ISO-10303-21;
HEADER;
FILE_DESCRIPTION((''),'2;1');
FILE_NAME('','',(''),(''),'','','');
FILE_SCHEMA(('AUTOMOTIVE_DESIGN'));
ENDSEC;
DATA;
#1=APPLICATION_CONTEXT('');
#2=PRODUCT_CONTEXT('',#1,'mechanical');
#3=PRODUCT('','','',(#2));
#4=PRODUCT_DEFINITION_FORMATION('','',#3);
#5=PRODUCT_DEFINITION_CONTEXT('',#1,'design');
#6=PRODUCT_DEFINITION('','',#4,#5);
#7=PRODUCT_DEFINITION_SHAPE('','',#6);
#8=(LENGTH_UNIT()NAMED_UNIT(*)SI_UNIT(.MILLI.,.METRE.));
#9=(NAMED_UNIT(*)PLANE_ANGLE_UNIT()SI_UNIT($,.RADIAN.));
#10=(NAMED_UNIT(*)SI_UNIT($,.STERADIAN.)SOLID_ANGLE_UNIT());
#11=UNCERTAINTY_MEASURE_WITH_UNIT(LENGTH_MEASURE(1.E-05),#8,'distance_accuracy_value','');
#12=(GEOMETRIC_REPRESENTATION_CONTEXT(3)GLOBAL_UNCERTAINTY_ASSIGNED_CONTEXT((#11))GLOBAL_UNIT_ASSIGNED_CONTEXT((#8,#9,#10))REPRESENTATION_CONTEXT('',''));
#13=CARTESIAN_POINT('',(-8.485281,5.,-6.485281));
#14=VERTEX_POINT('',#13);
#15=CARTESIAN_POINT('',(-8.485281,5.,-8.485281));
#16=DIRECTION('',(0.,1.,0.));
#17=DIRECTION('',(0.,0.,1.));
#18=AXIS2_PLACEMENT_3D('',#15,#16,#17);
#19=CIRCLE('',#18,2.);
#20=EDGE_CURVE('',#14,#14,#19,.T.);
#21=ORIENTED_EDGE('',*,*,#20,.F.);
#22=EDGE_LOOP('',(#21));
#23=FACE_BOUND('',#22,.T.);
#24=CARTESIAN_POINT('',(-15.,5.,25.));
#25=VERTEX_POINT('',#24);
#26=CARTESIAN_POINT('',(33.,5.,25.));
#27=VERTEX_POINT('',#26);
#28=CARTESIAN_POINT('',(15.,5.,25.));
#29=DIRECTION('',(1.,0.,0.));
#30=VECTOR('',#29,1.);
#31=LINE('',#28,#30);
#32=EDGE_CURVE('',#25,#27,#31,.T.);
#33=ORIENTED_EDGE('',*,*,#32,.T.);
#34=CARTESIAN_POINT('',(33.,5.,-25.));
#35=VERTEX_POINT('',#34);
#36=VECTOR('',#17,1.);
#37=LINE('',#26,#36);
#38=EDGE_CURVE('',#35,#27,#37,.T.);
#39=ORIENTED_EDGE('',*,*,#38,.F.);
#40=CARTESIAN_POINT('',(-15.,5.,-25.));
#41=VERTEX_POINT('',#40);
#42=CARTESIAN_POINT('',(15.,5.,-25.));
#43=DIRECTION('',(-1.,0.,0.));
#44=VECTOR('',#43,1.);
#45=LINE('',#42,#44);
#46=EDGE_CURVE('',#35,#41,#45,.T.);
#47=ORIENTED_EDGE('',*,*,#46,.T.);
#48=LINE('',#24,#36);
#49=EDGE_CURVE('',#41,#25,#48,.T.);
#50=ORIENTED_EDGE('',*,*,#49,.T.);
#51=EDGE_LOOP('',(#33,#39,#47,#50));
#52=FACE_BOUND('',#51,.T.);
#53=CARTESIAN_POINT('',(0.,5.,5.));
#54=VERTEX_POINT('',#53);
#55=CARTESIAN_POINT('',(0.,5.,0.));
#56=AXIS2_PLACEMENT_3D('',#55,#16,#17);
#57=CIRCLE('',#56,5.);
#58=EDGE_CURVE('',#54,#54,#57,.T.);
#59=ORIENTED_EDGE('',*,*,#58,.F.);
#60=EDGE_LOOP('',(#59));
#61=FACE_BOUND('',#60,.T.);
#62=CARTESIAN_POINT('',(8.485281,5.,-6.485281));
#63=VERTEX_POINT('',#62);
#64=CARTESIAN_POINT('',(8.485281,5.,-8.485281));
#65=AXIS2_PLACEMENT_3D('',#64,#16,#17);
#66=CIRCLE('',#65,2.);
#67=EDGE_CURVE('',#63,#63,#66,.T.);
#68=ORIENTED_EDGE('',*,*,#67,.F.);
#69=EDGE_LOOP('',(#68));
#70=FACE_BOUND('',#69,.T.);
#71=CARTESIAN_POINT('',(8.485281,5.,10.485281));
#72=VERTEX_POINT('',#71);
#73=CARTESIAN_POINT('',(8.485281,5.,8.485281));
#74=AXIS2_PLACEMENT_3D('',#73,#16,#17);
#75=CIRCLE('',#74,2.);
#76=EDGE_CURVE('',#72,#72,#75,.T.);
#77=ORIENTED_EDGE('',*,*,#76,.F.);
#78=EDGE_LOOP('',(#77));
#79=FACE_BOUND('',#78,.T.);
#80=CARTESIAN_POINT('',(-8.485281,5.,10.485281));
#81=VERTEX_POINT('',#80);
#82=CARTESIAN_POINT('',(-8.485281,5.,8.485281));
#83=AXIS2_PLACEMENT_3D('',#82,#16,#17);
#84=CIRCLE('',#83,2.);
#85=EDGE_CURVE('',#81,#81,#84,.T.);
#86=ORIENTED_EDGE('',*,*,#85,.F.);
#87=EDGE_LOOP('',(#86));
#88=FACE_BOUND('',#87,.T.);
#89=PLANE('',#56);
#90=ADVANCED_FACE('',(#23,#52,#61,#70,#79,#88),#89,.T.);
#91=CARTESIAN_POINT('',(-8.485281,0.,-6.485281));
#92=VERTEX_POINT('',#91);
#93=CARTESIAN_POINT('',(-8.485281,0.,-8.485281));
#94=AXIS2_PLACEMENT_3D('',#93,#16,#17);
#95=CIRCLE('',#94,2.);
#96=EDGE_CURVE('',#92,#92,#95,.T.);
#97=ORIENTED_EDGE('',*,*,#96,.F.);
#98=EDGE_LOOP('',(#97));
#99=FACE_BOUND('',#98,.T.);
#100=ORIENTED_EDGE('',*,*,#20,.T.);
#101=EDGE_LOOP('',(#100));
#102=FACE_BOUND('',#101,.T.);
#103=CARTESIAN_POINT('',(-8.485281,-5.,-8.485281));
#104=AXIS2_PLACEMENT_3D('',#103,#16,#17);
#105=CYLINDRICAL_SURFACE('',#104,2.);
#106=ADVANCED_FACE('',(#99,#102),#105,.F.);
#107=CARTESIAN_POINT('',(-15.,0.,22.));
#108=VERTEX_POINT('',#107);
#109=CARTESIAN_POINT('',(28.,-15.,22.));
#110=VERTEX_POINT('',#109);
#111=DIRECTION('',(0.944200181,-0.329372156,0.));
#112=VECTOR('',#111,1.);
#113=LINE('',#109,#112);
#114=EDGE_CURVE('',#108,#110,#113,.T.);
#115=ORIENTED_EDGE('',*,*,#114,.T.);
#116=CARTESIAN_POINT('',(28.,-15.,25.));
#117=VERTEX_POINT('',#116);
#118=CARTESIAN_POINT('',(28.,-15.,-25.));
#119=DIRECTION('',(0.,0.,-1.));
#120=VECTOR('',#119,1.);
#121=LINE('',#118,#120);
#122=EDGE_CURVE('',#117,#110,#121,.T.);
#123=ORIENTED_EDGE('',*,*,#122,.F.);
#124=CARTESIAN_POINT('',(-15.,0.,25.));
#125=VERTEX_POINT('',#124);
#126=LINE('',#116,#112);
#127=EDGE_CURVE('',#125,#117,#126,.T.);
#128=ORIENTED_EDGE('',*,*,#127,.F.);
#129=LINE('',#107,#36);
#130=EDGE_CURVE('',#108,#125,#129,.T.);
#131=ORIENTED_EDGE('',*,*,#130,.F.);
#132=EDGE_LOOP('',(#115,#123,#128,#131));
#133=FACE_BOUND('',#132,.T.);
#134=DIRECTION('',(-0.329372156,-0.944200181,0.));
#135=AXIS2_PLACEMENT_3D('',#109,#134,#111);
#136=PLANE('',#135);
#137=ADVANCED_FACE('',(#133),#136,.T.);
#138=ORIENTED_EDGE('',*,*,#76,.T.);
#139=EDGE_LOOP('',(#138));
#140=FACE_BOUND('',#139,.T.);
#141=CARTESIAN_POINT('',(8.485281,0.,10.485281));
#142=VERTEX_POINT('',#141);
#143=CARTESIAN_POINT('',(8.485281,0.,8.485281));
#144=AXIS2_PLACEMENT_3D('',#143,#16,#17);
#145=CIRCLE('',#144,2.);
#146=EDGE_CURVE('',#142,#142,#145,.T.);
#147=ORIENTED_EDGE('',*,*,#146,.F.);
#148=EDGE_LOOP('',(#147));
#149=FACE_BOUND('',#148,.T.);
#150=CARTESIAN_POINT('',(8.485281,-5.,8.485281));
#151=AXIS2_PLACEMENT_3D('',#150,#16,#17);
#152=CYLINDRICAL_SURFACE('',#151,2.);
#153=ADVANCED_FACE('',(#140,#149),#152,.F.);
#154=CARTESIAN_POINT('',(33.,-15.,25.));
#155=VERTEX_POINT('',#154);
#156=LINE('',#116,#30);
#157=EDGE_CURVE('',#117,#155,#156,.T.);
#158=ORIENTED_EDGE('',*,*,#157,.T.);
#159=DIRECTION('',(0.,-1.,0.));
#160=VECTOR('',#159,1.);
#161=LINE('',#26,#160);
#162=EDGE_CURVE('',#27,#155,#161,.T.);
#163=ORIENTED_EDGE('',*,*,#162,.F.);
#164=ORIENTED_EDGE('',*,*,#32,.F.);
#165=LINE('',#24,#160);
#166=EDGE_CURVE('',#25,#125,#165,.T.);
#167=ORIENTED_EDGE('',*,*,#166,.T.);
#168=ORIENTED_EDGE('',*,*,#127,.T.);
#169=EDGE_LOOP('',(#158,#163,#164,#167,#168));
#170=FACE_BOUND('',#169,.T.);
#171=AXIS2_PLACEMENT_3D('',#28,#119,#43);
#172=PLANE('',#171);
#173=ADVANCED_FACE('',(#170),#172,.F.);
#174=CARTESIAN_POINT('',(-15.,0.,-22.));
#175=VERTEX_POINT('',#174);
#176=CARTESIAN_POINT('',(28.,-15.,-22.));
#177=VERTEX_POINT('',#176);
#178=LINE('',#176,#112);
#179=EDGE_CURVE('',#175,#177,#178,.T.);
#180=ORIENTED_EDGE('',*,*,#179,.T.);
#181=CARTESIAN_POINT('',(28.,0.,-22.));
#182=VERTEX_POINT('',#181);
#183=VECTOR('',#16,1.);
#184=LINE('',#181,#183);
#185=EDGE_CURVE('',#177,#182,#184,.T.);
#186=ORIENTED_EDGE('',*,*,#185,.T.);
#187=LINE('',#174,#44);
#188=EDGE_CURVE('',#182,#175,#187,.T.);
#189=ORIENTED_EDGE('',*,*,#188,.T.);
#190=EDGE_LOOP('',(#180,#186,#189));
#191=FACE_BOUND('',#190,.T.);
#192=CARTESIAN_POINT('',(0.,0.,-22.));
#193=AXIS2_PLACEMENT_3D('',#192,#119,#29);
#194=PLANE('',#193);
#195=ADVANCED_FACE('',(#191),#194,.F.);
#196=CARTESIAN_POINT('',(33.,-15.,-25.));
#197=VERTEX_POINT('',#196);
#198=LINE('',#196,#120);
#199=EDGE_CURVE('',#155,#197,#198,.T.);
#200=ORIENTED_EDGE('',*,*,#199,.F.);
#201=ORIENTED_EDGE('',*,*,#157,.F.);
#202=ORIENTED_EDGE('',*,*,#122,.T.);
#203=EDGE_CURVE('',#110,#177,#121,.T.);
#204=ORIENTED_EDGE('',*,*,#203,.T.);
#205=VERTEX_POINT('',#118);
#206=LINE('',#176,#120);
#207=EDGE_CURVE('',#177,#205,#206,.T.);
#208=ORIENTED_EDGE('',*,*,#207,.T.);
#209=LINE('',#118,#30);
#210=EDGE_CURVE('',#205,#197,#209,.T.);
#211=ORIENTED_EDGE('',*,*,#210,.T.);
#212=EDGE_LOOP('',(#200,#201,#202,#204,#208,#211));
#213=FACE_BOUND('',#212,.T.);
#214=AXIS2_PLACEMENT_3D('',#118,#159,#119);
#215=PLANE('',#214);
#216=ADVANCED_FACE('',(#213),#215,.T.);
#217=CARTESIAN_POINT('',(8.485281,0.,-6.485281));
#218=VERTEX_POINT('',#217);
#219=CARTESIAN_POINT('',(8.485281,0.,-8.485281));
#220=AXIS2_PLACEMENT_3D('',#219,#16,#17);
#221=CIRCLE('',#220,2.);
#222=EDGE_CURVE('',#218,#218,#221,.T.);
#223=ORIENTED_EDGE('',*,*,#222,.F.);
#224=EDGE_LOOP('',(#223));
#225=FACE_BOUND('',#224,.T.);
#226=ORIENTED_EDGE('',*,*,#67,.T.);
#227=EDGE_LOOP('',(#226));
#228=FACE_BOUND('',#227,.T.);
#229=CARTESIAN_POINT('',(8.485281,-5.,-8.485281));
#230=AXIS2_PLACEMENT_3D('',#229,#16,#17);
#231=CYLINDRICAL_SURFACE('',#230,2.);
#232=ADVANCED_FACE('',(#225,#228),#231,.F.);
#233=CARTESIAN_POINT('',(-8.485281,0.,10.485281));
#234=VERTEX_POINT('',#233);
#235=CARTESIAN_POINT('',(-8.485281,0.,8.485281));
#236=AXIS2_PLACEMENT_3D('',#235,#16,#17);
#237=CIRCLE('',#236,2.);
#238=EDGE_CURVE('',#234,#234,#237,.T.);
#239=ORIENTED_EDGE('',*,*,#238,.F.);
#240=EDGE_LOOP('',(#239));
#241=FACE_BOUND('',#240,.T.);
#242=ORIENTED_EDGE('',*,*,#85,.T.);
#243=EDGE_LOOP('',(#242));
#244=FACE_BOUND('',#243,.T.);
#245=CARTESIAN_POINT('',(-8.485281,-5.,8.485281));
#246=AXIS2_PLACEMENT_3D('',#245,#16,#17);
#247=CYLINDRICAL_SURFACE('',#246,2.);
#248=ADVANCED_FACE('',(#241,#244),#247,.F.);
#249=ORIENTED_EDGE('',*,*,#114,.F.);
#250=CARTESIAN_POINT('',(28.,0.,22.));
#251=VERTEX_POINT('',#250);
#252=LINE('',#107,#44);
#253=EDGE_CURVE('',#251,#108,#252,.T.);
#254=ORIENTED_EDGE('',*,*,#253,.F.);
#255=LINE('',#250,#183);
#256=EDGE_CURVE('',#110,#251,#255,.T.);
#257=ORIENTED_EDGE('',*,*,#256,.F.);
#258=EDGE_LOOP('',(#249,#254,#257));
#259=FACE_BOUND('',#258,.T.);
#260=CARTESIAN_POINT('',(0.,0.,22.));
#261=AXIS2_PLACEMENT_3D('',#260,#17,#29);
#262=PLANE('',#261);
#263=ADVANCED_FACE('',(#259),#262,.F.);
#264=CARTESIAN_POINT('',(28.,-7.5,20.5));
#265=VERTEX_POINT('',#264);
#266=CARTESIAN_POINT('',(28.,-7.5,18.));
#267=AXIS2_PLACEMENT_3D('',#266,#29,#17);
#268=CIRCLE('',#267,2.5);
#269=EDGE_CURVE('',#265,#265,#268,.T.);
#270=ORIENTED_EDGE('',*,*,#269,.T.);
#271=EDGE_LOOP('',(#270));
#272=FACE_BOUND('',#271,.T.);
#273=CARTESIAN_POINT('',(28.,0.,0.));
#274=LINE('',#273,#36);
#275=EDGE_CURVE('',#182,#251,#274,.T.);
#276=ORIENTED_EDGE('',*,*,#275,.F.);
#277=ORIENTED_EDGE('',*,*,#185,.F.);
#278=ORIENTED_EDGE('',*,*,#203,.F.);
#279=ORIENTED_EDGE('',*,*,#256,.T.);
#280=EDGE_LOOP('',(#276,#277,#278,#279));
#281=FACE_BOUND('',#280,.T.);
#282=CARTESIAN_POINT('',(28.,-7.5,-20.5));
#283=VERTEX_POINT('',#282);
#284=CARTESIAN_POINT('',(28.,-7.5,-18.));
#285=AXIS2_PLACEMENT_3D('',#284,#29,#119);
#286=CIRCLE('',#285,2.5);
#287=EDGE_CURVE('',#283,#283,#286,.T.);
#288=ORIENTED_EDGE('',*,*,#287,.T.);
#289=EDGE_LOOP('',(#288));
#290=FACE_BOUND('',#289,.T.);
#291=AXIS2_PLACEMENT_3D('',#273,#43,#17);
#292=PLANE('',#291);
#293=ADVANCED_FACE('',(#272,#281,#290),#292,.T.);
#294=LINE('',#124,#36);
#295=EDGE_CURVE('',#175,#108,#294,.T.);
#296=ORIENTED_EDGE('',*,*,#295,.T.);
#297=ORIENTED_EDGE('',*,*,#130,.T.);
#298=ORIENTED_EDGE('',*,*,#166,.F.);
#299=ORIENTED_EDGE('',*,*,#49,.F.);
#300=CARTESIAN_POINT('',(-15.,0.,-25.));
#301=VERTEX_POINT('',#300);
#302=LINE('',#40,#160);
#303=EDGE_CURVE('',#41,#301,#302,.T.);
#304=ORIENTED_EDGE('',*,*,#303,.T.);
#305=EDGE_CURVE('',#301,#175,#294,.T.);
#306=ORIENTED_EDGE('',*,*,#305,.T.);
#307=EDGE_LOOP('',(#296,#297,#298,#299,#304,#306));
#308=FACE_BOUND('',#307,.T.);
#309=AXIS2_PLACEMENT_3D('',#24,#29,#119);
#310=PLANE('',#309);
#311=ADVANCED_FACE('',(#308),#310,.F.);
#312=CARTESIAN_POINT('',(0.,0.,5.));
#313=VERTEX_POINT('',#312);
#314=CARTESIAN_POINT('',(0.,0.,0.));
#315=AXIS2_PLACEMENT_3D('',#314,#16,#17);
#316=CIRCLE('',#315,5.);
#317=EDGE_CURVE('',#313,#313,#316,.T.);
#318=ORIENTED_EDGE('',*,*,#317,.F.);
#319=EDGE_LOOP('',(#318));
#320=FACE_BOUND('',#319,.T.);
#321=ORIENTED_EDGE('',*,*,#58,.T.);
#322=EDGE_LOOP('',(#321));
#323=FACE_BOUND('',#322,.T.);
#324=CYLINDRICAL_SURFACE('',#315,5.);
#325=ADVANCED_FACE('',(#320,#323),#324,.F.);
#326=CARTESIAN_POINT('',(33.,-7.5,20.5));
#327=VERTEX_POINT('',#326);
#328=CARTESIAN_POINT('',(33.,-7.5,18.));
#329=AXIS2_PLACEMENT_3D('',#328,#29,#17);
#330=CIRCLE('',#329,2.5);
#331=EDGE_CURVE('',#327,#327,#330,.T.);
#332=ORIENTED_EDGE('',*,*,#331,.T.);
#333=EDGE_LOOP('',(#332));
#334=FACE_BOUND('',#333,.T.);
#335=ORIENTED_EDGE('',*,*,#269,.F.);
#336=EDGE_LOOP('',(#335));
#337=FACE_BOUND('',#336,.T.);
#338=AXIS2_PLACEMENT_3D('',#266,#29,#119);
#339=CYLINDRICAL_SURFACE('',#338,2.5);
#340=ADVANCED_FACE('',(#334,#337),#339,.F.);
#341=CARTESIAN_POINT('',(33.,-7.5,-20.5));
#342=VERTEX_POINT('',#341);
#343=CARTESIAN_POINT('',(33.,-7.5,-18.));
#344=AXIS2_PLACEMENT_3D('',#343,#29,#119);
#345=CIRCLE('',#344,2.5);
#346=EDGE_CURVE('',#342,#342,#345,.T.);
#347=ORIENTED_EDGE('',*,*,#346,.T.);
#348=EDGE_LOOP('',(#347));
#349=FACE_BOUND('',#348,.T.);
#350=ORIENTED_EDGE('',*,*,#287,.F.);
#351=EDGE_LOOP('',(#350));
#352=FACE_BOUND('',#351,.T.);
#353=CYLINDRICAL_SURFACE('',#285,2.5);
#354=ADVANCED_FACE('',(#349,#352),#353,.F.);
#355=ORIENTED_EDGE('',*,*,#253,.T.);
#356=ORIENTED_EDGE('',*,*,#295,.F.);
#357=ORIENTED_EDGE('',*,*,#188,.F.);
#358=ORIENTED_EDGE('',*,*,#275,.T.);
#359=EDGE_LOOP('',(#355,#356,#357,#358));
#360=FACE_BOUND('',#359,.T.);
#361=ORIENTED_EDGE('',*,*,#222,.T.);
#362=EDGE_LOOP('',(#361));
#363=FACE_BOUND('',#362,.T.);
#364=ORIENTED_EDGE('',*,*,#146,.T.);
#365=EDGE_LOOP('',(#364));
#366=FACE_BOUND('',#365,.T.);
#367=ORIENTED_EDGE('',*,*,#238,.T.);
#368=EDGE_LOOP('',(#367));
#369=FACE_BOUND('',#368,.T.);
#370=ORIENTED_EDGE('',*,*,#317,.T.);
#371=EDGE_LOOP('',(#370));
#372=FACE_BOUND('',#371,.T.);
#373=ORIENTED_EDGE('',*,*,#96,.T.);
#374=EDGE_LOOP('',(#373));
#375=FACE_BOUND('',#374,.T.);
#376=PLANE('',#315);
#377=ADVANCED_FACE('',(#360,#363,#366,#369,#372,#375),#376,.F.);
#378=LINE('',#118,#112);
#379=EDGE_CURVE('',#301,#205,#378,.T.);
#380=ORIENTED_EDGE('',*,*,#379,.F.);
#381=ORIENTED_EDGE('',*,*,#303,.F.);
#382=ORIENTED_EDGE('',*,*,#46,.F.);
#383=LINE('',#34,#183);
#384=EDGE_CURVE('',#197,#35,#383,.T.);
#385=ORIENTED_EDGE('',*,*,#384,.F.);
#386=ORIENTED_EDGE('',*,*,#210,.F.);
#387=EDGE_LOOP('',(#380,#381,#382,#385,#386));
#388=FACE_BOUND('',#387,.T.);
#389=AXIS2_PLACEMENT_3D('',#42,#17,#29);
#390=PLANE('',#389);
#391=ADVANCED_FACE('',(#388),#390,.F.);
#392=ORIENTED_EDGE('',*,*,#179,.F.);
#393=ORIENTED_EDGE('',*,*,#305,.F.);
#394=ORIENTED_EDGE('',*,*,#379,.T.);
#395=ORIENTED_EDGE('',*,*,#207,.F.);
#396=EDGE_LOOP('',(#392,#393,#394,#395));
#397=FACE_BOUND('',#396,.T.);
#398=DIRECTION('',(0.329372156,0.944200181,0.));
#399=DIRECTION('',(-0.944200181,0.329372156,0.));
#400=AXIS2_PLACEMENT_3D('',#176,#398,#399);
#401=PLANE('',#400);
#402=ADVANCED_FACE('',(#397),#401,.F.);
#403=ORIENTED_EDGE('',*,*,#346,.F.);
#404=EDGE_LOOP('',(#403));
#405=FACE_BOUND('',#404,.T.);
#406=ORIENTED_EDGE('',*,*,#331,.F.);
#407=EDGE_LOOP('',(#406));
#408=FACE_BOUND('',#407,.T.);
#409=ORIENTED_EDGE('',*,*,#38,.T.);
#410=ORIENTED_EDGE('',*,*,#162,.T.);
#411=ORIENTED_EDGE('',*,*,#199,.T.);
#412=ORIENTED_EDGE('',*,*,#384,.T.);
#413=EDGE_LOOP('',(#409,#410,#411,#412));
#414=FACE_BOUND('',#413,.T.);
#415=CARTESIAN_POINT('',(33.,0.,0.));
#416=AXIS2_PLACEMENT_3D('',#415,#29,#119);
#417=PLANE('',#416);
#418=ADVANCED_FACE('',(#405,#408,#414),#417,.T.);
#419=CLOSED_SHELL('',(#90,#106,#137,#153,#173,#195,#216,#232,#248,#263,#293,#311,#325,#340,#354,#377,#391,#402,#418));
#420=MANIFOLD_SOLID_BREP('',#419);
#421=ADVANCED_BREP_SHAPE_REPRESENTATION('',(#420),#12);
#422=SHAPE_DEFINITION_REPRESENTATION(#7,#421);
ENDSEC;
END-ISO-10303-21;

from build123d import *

# Parameters (mm, degrees)
SKETCH1_W           = 30
SKETCH1_H           = 50
BOSS_EXTRUDE1_DEPTH = 5
SKETCH2_R           = 5
CUT_EXTRUDE1_DEPTH  = 5
SKETCH3_R           = 2
CUT_EXTRUDE2_DEPTH  = 10
SKETCH4_W           = 50
SKETCH4_H           = 5
BOSS_EXTRUDE2_DEPTH = 18
SKETCH5_W           = 50
SKETCH5_H           = 20
BOSS_EXTRUDE3_DEPTH = 5
SKETCH6_R           = 2.5
CUT_EXTRUDE3_DEPTH  = 5
BOSS_EXTRUDE4_DEPTH = 3


with BuildPart() as part:
    # Sketch1 → Boss-Extrude1 (new body)
    with BuildSketch(Plane(origin=(0, 0, 0), x_dir=(1, 0, 0), z_dir=(0, 1, 0))):
        Rectangle(SKETCH1_W, SKETCH1_H)
    extrude(amount=BOSS_EXTRUDE1_DEPTH)

    # Sketch2 → Cut-Extrude1 (cut)
    with BuildSketch(Plane(origin=(0, 5, 0), x_dir=(1, 0, 0), z_dir=(0, 1, 0))):
        Circle(SKETCH2_R)
    extrude(amount=-CUT_EXTRUDE1_DEPTH, mode=Mode.SUBTRACT)

    # Sketch3 → Cut-Extrude2 (cut)
    with BuildSketch(Plane(origin=(0, 5, 0), x_dir=(1, 0, 0), z_dir=(0, 1, 0))):
        with Locations((-8.485281374, 8.485281374)):
            Circle(SKETCH3_R)
        with Locations((8.485281374, 8.485281374)):
            Circle(SKETCH3_R)
        with Locations((-8.485281374, -8.485281374)):
            Circle(SKETCH3_R)
        with Locations((8.485281374, -8.485281374)):
            Circle(SKETCH3_R)
    extrude(amount=-CUT_EXTRUDE2_DEPTH, mode=Mode.SUBTRACT)

    # Sketch4 → Boss-Extrude2 (add)
    with BuildSketch(Plane(origin=(15, 0, 0), x_dir=(0, 0, -1), z_dir=(1, 0, 0))):
        with Locations((0, 2.5)):
            Rectangle(SKETCH4_W, SKETCH4_H)
    extrude(amount=BOSS_EXTRUDE2_DEPTH)

    # Sketch5 → Boss-Extrude3 (add)
    with BuildSketch(Plane(origin=(33, 0, 0), x_dir=(0, 0, -1), z_dir=(1, 0, 0))):
        with Locations((0, -5)):
            Rectangle(SKETCH5_W, SKETCH5_H)
    extrude(amount=-BOSS_EXTRUDE3_DEPTH)

    # Sketch6 → Cut-Extrude3 (cut)
    with BuildSketch(Plane(origin=(33, 0, 0), x_dir=(0, 0, -1), z_dir=(1, 0, 0))):
        with Locations((18, -7.5)):
            Circle(SKETCH6_R)
        with Locations((-18, -7.5)):
            Circle(SKETCH6_R)
    extrude(amount=-CUT_EXTRUDE3_DEPTH, mode=Mode.SUBTRACT)

    # Sketch7 → Boss-Extrude4 (add)
    with BuildSketch(Plane.XY.offset(25)):
        Polygon((28, -15), (-15, 0), (28, 0), align=None)
    boss_extrude4 = extrude(amount=-BOSS_EXTRUDE4_DEPTH)

    # Mirror1: Boss-Extrude4 across plane
    add(boss_extrude4.mirror(Plane.XY))


solid = part.part
